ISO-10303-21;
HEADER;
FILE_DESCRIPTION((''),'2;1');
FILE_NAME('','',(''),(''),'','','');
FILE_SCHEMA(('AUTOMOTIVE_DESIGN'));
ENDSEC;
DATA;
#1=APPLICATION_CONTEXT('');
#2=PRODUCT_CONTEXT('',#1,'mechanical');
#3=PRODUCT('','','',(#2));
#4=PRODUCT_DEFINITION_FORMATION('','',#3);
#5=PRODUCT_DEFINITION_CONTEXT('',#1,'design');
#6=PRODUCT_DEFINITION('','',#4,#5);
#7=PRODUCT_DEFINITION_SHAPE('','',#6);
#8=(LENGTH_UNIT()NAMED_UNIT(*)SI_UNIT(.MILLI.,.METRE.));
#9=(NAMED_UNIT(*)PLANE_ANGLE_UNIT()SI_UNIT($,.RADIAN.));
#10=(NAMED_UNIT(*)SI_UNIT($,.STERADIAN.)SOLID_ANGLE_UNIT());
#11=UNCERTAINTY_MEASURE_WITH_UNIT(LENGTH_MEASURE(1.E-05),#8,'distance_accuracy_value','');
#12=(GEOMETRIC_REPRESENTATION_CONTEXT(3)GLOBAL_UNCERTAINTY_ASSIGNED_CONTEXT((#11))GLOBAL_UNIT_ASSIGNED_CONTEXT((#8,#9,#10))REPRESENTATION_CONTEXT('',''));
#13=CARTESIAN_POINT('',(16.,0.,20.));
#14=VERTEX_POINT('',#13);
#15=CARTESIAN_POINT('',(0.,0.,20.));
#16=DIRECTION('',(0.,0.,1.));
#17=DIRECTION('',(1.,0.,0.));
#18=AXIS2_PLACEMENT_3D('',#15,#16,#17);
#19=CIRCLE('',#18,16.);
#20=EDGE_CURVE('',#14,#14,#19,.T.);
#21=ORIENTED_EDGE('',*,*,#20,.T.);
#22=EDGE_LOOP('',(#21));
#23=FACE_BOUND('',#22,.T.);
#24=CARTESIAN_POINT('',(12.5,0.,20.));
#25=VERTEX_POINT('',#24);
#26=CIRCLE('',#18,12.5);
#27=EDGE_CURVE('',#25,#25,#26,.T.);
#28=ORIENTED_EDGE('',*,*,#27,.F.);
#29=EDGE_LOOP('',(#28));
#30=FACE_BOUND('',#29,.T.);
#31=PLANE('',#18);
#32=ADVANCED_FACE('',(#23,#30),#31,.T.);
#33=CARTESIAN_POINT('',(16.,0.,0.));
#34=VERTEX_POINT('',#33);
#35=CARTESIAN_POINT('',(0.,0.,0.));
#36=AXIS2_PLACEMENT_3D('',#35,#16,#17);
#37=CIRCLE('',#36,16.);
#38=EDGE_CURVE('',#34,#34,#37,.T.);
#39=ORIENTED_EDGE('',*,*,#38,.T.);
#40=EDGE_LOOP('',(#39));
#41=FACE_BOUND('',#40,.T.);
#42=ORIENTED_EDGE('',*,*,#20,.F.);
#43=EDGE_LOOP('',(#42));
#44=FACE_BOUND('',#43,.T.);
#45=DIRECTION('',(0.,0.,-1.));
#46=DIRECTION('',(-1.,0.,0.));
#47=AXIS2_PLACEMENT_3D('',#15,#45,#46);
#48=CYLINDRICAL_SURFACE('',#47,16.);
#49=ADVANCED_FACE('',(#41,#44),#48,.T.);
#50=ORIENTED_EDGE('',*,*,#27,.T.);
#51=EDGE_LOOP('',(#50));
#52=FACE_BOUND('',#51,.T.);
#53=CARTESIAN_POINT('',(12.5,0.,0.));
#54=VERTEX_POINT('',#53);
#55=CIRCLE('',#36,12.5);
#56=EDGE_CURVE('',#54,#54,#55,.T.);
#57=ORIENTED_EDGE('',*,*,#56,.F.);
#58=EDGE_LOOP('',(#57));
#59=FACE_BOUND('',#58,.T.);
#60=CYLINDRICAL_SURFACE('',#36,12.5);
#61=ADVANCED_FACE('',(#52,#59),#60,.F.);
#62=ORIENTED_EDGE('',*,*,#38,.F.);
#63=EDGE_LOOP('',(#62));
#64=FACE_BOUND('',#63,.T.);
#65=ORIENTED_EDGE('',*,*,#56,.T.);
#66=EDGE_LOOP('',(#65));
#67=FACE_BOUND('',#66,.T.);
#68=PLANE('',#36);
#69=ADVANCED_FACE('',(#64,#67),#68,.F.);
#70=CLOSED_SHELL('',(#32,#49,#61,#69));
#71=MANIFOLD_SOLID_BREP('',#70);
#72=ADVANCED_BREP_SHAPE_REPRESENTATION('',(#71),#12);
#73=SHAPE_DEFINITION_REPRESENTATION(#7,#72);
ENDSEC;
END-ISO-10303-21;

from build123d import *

# Parameters (mm, degrees)
ESBO_O1_R                = 16
RESSALTO_EXTRUS_O1_DEPTH = 20
ESBO_O2_R                = 12.5
CORTE_EXTRUS_O1_DEPTH    = 20


with BuildPart() as part:
    # Esboço1 → Ressalto-extrusão1 (new body)
    with BuildSketch(Plane.XY):
        Circle(ESBO_O1_R)
    extrude(amount=RESSALTO_EXTRUS_O1_DEPTH)

    # Esboço2 → Corte-extrusão1 (cut)
    with BuildSketch(Plane.XY.offset(20)):
        Circle(ESBO_O2_R)
    extrude(amount=-CORTE_EXTRUS_O1_DEPTH, mode=Mode.SUBTRACT)


solid = part.part
